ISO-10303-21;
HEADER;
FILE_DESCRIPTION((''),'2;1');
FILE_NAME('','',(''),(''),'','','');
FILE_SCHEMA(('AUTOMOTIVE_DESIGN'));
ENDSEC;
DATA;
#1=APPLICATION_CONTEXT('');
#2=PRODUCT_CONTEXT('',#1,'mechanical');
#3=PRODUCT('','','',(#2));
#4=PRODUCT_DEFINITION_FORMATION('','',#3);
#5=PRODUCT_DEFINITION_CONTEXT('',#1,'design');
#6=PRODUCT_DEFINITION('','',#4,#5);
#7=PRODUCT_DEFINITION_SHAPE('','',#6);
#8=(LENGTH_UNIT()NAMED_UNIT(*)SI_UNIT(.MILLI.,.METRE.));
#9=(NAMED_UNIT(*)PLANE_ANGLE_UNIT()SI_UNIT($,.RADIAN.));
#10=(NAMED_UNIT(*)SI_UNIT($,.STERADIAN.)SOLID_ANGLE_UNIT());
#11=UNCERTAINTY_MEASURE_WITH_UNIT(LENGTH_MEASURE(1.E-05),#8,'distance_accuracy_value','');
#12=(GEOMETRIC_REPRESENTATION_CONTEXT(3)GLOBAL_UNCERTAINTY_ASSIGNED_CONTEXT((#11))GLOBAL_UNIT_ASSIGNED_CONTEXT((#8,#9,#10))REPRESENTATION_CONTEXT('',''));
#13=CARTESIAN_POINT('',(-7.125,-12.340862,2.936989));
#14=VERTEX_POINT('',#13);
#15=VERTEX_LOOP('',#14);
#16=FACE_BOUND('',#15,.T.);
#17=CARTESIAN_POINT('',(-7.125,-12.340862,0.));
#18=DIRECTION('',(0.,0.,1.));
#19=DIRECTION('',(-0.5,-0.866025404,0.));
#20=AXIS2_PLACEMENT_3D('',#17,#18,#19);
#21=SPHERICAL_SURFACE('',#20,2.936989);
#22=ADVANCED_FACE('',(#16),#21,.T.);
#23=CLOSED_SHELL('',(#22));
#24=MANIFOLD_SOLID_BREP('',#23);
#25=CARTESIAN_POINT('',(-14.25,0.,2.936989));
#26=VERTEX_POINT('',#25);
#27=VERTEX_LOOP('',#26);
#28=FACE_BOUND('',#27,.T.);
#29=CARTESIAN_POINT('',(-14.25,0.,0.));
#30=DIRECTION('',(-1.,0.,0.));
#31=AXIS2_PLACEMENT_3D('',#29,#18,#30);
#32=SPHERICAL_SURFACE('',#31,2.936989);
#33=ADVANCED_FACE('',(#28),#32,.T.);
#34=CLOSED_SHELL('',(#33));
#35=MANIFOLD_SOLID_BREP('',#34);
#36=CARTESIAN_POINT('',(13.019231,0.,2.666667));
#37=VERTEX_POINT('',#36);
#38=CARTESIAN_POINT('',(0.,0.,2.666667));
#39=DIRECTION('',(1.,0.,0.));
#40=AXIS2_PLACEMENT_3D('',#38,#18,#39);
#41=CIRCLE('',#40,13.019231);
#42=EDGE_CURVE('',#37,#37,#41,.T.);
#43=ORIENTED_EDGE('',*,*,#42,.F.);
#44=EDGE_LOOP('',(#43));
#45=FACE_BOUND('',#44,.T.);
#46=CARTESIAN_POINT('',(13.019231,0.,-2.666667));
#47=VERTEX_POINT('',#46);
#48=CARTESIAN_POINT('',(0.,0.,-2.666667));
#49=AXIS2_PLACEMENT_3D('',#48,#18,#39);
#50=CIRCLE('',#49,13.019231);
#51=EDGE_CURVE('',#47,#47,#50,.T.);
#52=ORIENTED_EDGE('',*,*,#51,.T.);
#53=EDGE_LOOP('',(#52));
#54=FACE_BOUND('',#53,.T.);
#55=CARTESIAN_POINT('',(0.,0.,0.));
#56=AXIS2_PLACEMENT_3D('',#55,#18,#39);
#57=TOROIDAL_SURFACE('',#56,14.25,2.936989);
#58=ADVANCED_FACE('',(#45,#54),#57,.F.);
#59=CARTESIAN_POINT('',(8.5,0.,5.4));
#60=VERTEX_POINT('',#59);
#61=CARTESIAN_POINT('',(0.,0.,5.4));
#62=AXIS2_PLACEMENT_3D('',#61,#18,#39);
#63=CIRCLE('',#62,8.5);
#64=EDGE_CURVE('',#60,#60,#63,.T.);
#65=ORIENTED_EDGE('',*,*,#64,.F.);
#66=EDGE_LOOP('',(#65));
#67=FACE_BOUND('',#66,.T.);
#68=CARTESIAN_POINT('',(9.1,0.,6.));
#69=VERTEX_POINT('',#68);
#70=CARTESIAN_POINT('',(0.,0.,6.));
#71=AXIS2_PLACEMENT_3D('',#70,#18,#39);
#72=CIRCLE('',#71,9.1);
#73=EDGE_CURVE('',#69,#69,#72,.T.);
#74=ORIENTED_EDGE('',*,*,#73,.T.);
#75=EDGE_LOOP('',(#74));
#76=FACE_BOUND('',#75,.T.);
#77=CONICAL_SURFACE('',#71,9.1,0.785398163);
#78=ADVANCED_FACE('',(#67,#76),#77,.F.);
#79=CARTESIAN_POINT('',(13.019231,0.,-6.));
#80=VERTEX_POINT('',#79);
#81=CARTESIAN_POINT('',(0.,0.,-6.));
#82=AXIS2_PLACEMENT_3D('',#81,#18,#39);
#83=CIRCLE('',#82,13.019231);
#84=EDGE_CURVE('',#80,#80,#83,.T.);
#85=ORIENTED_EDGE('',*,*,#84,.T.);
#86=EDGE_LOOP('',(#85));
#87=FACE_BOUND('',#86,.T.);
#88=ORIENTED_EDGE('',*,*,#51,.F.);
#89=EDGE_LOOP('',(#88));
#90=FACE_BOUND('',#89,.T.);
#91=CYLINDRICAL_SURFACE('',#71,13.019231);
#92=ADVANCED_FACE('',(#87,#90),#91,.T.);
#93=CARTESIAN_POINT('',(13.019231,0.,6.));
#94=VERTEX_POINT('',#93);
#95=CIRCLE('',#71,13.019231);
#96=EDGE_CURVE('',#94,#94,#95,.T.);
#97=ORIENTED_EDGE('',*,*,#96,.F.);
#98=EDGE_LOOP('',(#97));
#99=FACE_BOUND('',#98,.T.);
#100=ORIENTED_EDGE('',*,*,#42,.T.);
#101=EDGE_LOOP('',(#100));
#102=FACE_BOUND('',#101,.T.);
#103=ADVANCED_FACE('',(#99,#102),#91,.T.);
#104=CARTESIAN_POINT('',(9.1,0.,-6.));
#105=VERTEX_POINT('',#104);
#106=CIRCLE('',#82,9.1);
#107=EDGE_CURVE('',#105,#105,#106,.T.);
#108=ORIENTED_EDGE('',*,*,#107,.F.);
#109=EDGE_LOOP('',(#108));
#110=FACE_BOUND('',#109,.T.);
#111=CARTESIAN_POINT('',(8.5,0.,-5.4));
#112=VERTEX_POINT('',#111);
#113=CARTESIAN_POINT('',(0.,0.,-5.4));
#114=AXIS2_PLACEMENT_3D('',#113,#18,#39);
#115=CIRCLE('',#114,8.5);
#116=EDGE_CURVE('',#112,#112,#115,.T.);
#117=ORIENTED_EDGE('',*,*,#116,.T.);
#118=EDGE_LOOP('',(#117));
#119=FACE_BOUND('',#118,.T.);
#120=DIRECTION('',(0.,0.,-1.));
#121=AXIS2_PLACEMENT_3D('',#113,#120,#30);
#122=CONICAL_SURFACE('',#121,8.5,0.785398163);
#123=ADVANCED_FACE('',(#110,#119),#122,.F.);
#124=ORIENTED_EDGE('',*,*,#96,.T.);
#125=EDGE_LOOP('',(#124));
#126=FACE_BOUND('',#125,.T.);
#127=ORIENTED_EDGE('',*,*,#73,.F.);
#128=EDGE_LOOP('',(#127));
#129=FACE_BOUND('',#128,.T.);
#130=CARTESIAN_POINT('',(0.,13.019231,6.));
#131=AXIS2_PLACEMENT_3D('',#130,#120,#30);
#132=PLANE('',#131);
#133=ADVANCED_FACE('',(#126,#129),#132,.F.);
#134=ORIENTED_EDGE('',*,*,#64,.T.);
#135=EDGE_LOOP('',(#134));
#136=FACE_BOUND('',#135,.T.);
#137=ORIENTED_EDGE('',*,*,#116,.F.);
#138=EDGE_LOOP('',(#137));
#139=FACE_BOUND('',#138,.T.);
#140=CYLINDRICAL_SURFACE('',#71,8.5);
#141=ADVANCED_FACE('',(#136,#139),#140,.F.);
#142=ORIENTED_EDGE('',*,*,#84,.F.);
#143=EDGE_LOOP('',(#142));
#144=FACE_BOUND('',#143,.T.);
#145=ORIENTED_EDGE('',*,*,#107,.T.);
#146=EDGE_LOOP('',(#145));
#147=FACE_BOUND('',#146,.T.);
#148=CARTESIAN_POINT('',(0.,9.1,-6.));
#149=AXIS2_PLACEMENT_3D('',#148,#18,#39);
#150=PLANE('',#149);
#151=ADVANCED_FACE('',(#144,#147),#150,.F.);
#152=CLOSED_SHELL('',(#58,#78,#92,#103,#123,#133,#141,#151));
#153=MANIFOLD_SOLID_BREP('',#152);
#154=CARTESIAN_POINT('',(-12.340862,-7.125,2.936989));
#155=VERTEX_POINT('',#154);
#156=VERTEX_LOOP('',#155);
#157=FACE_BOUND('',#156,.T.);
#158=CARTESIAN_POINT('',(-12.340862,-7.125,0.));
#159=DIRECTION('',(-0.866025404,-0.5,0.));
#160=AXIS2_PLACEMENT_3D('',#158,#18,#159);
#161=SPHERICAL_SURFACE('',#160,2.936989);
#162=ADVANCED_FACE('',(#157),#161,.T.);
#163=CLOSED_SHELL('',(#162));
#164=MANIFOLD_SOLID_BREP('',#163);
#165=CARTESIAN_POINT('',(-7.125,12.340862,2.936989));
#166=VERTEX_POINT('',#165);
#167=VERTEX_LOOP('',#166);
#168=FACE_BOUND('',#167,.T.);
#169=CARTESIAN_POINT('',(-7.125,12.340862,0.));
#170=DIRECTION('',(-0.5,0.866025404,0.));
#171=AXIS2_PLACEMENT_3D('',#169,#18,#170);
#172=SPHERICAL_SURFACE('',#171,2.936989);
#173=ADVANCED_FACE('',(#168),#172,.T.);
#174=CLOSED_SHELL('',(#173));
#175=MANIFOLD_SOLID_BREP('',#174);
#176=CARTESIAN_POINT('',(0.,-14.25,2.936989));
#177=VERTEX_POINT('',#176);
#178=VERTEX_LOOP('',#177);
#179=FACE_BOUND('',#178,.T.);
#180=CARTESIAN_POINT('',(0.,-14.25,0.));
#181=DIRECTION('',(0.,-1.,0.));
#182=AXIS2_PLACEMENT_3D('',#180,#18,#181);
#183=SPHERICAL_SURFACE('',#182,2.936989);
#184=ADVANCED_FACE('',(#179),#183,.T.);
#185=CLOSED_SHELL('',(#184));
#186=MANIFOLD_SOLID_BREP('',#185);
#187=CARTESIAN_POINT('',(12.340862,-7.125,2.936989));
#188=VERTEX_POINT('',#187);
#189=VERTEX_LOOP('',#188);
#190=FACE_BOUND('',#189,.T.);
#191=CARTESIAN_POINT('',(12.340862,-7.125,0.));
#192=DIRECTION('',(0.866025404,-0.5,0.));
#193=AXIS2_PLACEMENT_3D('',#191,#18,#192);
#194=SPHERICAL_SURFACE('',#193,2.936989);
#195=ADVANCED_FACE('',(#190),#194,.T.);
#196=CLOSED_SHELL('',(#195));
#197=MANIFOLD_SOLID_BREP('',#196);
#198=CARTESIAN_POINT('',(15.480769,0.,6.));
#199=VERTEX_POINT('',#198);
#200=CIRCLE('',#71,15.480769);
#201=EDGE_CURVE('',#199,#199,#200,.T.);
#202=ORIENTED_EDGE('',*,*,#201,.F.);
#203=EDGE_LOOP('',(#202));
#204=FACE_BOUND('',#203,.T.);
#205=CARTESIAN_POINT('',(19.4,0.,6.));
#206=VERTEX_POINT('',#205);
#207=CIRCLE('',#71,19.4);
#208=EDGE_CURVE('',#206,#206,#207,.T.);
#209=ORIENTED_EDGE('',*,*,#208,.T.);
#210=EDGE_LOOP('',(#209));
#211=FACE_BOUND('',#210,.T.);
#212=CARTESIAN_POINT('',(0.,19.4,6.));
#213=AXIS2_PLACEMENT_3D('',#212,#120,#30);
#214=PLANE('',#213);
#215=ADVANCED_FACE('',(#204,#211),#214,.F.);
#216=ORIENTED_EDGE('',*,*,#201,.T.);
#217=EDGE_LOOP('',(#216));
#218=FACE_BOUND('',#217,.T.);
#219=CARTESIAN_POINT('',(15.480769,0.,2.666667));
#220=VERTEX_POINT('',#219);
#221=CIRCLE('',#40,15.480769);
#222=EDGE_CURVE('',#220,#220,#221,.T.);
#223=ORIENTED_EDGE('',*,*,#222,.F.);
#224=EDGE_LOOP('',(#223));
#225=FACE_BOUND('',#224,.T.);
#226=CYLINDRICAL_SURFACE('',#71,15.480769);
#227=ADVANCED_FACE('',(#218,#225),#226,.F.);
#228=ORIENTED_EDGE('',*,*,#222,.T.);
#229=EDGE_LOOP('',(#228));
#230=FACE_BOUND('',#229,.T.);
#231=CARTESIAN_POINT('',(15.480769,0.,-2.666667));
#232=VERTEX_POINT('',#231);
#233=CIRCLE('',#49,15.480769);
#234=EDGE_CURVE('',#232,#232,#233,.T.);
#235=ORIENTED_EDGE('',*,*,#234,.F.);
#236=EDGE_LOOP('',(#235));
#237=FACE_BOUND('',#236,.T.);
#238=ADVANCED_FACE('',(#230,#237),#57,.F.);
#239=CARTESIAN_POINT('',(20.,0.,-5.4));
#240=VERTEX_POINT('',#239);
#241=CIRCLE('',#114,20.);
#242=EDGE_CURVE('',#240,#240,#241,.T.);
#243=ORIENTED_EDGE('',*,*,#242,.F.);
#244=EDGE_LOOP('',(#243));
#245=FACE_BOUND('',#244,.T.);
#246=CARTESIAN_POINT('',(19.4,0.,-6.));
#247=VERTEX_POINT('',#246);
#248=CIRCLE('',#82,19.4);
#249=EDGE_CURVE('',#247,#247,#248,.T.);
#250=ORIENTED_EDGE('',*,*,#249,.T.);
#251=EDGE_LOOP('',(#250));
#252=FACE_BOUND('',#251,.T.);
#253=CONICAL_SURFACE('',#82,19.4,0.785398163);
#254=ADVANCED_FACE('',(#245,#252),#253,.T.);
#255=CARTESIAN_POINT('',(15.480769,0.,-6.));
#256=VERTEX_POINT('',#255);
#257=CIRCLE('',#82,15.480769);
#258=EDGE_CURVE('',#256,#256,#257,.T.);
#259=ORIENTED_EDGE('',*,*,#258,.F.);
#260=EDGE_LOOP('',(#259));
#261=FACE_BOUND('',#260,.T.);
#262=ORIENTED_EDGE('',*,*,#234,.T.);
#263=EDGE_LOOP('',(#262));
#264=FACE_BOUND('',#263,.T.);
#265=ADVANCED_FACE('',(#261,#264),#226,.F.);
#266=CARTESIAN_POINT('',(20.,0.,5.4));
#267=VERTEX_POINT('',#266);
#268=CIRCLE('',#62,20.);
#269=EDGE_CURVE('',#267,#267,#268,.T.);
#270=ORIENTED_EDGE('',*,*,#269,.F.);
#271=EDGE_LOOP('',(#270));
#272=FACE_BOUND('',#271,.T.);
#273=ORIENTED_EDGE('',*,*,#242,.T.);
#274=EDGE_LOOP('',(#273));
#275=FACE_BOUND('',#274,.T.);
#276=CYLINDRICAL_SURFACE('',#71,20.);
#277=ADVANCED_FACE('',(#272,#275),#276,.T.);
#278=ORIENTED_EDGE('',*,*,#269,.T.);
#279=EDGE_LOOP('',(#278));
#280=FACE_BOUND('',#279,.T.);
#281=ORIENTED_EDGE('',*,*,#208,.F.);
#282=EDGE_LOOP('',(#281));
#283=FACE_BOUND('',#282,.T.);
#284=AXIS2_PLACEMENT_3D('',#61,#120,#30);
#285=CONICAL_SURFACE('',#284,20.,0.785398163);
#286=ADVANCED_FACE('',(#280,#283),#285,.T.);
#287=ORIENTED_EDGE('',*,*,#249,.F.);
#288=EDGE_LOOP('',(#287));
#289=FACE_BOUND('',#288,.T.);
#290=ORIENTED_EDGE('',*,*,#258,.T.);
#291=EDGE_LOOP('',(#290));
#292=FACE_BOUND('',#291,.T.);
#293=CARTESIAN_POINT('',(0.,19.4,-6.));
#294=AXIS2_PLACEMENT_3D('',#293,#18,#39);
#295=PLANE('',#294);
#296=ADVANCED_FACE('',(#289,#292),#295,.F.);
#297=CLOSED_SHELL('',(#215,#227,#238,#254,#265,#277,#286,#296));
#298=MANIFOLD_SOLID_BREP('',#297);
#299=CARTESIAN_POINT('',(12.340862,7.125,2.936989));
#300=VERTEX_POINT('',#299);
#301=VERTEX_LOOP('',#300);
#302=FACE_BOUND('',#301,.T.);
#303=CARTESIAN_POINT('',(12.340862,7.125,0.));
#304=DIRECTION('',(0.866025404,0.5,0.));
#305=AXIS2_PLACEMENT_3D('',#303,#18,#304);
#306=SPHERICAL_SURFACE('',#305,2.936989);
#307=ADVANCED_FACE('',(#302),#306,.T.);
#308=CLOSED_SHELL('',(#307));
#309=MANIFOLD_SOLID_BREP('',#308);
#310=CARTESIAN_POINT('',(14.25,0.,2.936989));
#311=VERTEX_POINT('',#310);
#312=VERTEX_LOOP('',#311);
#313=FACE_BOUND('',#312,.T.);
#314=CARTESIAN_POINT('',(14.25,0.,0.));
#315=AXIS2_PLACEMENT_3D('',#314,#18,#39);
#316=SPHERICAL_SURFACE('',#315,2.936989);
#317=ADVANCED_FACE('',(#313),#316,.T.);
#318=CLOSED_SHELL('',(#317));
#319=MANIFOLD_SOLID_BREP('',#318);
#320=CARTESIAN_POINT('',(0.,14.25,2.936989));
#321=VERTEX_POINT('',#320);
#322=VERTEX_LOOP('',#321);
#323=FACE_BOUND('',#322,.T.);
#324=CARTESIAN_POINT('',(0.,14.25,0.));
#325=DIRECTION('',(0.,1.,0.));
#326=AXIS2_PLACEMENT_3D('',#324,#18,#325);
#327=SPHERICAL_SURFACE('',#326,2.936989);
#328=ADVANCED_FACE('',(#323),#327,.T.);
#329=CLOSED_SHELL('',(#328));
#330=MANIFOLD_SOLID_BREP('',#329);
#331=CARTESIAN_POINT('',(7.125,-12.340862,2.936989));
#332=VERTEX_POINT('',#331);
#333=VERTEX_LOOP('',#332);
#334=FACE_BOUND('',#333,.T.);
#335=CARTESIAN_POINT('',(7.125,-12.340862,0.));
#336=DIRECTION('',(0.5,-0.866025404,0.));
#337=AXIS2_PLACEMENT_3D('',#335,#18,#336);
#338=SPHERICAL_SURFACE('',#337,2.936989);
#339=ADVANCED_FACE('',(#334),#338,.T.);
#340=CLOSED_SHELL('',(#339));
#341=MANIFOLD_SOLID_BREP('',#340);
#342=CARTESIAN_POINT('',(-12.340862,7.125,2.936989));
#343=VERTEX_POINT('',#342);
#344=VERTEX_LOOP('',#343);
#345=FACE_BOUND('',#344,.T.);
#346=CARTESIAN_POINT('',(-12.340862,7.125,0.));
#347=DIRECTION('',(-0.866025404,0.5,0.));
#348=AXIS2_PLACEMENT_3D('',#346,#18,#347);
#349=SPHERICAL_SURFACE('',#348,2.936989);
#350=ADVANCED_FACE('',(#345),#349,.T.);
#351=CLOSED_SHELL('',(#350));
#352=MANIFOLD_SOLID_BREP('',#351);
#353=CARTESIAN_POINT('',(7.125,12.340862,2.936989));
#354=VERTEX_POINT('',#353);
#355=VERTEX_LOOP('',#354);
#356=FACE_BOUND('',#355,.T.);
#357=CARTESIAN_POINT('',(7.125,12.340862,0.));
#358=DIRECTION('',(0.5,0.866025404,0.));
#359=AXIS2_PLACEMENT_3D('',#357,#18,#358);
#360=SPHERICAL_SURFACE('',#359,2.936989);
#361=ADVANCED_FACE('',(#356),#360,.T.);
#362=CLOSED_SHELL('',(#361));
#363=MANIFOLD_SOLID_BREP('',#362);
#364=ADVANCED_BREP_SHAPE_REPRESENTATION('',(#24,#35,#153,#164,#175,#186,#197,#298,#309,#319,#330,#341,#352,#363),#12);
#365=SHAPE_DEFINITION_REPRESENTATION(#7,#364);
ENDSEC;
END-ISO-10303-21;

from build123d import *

# Parameters (mm, degrees)
CIRPATTERN1_COUNT = 12


with BuildPart() as part:
    # Sketch1 → Revolve1 (revolve)
    with BuildSketch(Plane(origin=(0, 0, 0), x_dir=(0, 0, -1), z_dir=(1, 0, 0))):
        with BuildLine():
            Line((5.4, 20), (-5.4, 20))
            Line((-5.4, 20), (-6, 19.4))
            Line((-6, 19.4), (-6, 15.480769231))
            Line((-6, 15.480769231), (-2.666666667, 15.480769231))
            ThreePointArc((-2.666666667, 15.480769231), (0, 17.186988936), (2.666666667, 15.480769231))
            Line((2.666666667, 15.480769231), (6, 15.480769231))
            Line((6, 15.480769231), (6, 19.4))
            Line((6, 19.4), (5.4, 20))
        make_face()
    revolve(axis=Axis((0, 0, 6), (0, 0, -1)))


with BuildPart() as body_2:
    # Sketch3 → Revolve3 (revolve)
    with BuildSketch(Plane(origin=(0, 0, 0), x_dir=(0, 0, -1), z_dir=(1, 0, 0))):
        with BuildLine():
            Line((-6, 13.019230769), (-2.666666667, 13.019230769))
            ThreePointArc((-2.666666667, 13.019230769), (0, 11.313011064), (2.666666667, 13.019230769))
            Line((2.666666667, 13.019230769), (6, 13.019230769))
            Line((6, 13.019230769), (6, 9.1))
            Line((6, 9.1), (5.4, 8.5))
            Line((5.4, 8.5), (-5.4, 8.5))
            Line((-5.4, 8.5), (-6, 9.1))
            Line((-6, 9.1), (-6, 13.019230769))
        make_face()
    revolve(axis=Axis((0, 0, 6), (0, 0, -1)))


with BuildPart() as body_3:
    # Sketch4 → Revolve4 (revolve)
    with BuildSketch(Plane(origin=(0, 0, 0), x_dir=(0, 0, -1), z_dir=(1, 0, 0))):
        with BuildLine():
            Line((-2.936988936, 14.25), (2.936988936, 14.25))
            ThreePointArc((2.936988936, 14.25), (0, 17.186988936), (-2.936988936, 14.25))
        make_face()
    revolve(axis=Axis((0, 14.25, 2.936988936), (0, 0, -1)))


with BuildPart() as cirpattern1_1:
    # CirPattern1: pattern copy
    add(body_3.part.rotate(Axis((0, 0, 0), (0, 0, 1)), 1 * 360 / CIRPATTERN1_COUNT))


with BuildPart() as cirpattern1_2:
    # CirPattern1: pattern copy
    add(body_3.part.rotate(Axis((0, 0, 0), (0, 0, 1)), 2 * 360 / CIRPATTERN1_COUNT))


with BuildPart() as cirpattern1_3:
    # CirPattern1: pattern copy
    add(body_3.part.rotate(Axis((0, 0, 0), (0, 0, 1)), 3 * 360 / CIRPATTERN1_COUNT))


with BuildPart() as cirpattern1_4:
    # CirPattern1: pattern copy
    add(body_3.part.rotate(Axis((0, 0, 0), (0, 0, 1)), 4 * 360 / CIRPATTERN1_COUNT))


with BuildPart() as cirpattern1_5:
    # CirPattern1: pattern copy
    add(body_3.part.rotate(Axis((0, 0, 0), (0, 0, 1)), 5 * 360 / CIRPATTERN1_COUNT))


with BuildPart() as cirpattern1_6:
    # CirPattern1: pattern copy
    add(body_3.part.rotate(Axis((0, 0, 0), (0, 0, 1)), 6 * 360 / CIRPATTERN1_COUNT))


with BuildPart() as cirpattern1_7:
    # CirPattern1: pattern copy
    add(body_3.part.rotate(Axis((0, 0, 0), (0, 0, 1)), 7 * 360 / CIRPATTERN1_COUNT))


with BuildPart() as cirpattern1_8:
    # CirPattern1: pattern copy
    add(body_3.part.rotate(Axis((0, 0, 0), (0, 0, 1)), 8 * 360 / CIRPATTERN1_COUNT))


with BuildPart() as cirpattern1_9:
    # CirPattern1: pattern copy
    add(body_3.part.rotate(Axis((0, 0, 0), (0, 0, 1)), 9 * 360 / CIRPATTERN1_COUNT))


with BuildPart() as cirpattern1_10:
    # CirPattern1: pattern copy
    add(body_3.part.rotate(Axis((0, 0, 0), (0, 0, 1)), 10 * 360 / CIRPATTERN1_COUNT))


with BuildPart() as cirpattern1_11:
    # CirPattern1: pattern copy
    add(body_3.part.rotate(Axis((0, 0, 0), (0, 0, 1)), 11 * 360 / CIRPATTERN1_COUNT))


solid = Compound([part.part, body_2.part, body_3.part, cirpattern1_1.part, cirpattern1_2.part, cirpattern1_3.part, cirpattern1_4.part, cirpattern1_5.part, cirpattern1_6.part, cirpattern1_7.part, cirpattern1_8.part, cirpattern1_9.part, cirpattern1_10.part, cirpattern1_11.part])
